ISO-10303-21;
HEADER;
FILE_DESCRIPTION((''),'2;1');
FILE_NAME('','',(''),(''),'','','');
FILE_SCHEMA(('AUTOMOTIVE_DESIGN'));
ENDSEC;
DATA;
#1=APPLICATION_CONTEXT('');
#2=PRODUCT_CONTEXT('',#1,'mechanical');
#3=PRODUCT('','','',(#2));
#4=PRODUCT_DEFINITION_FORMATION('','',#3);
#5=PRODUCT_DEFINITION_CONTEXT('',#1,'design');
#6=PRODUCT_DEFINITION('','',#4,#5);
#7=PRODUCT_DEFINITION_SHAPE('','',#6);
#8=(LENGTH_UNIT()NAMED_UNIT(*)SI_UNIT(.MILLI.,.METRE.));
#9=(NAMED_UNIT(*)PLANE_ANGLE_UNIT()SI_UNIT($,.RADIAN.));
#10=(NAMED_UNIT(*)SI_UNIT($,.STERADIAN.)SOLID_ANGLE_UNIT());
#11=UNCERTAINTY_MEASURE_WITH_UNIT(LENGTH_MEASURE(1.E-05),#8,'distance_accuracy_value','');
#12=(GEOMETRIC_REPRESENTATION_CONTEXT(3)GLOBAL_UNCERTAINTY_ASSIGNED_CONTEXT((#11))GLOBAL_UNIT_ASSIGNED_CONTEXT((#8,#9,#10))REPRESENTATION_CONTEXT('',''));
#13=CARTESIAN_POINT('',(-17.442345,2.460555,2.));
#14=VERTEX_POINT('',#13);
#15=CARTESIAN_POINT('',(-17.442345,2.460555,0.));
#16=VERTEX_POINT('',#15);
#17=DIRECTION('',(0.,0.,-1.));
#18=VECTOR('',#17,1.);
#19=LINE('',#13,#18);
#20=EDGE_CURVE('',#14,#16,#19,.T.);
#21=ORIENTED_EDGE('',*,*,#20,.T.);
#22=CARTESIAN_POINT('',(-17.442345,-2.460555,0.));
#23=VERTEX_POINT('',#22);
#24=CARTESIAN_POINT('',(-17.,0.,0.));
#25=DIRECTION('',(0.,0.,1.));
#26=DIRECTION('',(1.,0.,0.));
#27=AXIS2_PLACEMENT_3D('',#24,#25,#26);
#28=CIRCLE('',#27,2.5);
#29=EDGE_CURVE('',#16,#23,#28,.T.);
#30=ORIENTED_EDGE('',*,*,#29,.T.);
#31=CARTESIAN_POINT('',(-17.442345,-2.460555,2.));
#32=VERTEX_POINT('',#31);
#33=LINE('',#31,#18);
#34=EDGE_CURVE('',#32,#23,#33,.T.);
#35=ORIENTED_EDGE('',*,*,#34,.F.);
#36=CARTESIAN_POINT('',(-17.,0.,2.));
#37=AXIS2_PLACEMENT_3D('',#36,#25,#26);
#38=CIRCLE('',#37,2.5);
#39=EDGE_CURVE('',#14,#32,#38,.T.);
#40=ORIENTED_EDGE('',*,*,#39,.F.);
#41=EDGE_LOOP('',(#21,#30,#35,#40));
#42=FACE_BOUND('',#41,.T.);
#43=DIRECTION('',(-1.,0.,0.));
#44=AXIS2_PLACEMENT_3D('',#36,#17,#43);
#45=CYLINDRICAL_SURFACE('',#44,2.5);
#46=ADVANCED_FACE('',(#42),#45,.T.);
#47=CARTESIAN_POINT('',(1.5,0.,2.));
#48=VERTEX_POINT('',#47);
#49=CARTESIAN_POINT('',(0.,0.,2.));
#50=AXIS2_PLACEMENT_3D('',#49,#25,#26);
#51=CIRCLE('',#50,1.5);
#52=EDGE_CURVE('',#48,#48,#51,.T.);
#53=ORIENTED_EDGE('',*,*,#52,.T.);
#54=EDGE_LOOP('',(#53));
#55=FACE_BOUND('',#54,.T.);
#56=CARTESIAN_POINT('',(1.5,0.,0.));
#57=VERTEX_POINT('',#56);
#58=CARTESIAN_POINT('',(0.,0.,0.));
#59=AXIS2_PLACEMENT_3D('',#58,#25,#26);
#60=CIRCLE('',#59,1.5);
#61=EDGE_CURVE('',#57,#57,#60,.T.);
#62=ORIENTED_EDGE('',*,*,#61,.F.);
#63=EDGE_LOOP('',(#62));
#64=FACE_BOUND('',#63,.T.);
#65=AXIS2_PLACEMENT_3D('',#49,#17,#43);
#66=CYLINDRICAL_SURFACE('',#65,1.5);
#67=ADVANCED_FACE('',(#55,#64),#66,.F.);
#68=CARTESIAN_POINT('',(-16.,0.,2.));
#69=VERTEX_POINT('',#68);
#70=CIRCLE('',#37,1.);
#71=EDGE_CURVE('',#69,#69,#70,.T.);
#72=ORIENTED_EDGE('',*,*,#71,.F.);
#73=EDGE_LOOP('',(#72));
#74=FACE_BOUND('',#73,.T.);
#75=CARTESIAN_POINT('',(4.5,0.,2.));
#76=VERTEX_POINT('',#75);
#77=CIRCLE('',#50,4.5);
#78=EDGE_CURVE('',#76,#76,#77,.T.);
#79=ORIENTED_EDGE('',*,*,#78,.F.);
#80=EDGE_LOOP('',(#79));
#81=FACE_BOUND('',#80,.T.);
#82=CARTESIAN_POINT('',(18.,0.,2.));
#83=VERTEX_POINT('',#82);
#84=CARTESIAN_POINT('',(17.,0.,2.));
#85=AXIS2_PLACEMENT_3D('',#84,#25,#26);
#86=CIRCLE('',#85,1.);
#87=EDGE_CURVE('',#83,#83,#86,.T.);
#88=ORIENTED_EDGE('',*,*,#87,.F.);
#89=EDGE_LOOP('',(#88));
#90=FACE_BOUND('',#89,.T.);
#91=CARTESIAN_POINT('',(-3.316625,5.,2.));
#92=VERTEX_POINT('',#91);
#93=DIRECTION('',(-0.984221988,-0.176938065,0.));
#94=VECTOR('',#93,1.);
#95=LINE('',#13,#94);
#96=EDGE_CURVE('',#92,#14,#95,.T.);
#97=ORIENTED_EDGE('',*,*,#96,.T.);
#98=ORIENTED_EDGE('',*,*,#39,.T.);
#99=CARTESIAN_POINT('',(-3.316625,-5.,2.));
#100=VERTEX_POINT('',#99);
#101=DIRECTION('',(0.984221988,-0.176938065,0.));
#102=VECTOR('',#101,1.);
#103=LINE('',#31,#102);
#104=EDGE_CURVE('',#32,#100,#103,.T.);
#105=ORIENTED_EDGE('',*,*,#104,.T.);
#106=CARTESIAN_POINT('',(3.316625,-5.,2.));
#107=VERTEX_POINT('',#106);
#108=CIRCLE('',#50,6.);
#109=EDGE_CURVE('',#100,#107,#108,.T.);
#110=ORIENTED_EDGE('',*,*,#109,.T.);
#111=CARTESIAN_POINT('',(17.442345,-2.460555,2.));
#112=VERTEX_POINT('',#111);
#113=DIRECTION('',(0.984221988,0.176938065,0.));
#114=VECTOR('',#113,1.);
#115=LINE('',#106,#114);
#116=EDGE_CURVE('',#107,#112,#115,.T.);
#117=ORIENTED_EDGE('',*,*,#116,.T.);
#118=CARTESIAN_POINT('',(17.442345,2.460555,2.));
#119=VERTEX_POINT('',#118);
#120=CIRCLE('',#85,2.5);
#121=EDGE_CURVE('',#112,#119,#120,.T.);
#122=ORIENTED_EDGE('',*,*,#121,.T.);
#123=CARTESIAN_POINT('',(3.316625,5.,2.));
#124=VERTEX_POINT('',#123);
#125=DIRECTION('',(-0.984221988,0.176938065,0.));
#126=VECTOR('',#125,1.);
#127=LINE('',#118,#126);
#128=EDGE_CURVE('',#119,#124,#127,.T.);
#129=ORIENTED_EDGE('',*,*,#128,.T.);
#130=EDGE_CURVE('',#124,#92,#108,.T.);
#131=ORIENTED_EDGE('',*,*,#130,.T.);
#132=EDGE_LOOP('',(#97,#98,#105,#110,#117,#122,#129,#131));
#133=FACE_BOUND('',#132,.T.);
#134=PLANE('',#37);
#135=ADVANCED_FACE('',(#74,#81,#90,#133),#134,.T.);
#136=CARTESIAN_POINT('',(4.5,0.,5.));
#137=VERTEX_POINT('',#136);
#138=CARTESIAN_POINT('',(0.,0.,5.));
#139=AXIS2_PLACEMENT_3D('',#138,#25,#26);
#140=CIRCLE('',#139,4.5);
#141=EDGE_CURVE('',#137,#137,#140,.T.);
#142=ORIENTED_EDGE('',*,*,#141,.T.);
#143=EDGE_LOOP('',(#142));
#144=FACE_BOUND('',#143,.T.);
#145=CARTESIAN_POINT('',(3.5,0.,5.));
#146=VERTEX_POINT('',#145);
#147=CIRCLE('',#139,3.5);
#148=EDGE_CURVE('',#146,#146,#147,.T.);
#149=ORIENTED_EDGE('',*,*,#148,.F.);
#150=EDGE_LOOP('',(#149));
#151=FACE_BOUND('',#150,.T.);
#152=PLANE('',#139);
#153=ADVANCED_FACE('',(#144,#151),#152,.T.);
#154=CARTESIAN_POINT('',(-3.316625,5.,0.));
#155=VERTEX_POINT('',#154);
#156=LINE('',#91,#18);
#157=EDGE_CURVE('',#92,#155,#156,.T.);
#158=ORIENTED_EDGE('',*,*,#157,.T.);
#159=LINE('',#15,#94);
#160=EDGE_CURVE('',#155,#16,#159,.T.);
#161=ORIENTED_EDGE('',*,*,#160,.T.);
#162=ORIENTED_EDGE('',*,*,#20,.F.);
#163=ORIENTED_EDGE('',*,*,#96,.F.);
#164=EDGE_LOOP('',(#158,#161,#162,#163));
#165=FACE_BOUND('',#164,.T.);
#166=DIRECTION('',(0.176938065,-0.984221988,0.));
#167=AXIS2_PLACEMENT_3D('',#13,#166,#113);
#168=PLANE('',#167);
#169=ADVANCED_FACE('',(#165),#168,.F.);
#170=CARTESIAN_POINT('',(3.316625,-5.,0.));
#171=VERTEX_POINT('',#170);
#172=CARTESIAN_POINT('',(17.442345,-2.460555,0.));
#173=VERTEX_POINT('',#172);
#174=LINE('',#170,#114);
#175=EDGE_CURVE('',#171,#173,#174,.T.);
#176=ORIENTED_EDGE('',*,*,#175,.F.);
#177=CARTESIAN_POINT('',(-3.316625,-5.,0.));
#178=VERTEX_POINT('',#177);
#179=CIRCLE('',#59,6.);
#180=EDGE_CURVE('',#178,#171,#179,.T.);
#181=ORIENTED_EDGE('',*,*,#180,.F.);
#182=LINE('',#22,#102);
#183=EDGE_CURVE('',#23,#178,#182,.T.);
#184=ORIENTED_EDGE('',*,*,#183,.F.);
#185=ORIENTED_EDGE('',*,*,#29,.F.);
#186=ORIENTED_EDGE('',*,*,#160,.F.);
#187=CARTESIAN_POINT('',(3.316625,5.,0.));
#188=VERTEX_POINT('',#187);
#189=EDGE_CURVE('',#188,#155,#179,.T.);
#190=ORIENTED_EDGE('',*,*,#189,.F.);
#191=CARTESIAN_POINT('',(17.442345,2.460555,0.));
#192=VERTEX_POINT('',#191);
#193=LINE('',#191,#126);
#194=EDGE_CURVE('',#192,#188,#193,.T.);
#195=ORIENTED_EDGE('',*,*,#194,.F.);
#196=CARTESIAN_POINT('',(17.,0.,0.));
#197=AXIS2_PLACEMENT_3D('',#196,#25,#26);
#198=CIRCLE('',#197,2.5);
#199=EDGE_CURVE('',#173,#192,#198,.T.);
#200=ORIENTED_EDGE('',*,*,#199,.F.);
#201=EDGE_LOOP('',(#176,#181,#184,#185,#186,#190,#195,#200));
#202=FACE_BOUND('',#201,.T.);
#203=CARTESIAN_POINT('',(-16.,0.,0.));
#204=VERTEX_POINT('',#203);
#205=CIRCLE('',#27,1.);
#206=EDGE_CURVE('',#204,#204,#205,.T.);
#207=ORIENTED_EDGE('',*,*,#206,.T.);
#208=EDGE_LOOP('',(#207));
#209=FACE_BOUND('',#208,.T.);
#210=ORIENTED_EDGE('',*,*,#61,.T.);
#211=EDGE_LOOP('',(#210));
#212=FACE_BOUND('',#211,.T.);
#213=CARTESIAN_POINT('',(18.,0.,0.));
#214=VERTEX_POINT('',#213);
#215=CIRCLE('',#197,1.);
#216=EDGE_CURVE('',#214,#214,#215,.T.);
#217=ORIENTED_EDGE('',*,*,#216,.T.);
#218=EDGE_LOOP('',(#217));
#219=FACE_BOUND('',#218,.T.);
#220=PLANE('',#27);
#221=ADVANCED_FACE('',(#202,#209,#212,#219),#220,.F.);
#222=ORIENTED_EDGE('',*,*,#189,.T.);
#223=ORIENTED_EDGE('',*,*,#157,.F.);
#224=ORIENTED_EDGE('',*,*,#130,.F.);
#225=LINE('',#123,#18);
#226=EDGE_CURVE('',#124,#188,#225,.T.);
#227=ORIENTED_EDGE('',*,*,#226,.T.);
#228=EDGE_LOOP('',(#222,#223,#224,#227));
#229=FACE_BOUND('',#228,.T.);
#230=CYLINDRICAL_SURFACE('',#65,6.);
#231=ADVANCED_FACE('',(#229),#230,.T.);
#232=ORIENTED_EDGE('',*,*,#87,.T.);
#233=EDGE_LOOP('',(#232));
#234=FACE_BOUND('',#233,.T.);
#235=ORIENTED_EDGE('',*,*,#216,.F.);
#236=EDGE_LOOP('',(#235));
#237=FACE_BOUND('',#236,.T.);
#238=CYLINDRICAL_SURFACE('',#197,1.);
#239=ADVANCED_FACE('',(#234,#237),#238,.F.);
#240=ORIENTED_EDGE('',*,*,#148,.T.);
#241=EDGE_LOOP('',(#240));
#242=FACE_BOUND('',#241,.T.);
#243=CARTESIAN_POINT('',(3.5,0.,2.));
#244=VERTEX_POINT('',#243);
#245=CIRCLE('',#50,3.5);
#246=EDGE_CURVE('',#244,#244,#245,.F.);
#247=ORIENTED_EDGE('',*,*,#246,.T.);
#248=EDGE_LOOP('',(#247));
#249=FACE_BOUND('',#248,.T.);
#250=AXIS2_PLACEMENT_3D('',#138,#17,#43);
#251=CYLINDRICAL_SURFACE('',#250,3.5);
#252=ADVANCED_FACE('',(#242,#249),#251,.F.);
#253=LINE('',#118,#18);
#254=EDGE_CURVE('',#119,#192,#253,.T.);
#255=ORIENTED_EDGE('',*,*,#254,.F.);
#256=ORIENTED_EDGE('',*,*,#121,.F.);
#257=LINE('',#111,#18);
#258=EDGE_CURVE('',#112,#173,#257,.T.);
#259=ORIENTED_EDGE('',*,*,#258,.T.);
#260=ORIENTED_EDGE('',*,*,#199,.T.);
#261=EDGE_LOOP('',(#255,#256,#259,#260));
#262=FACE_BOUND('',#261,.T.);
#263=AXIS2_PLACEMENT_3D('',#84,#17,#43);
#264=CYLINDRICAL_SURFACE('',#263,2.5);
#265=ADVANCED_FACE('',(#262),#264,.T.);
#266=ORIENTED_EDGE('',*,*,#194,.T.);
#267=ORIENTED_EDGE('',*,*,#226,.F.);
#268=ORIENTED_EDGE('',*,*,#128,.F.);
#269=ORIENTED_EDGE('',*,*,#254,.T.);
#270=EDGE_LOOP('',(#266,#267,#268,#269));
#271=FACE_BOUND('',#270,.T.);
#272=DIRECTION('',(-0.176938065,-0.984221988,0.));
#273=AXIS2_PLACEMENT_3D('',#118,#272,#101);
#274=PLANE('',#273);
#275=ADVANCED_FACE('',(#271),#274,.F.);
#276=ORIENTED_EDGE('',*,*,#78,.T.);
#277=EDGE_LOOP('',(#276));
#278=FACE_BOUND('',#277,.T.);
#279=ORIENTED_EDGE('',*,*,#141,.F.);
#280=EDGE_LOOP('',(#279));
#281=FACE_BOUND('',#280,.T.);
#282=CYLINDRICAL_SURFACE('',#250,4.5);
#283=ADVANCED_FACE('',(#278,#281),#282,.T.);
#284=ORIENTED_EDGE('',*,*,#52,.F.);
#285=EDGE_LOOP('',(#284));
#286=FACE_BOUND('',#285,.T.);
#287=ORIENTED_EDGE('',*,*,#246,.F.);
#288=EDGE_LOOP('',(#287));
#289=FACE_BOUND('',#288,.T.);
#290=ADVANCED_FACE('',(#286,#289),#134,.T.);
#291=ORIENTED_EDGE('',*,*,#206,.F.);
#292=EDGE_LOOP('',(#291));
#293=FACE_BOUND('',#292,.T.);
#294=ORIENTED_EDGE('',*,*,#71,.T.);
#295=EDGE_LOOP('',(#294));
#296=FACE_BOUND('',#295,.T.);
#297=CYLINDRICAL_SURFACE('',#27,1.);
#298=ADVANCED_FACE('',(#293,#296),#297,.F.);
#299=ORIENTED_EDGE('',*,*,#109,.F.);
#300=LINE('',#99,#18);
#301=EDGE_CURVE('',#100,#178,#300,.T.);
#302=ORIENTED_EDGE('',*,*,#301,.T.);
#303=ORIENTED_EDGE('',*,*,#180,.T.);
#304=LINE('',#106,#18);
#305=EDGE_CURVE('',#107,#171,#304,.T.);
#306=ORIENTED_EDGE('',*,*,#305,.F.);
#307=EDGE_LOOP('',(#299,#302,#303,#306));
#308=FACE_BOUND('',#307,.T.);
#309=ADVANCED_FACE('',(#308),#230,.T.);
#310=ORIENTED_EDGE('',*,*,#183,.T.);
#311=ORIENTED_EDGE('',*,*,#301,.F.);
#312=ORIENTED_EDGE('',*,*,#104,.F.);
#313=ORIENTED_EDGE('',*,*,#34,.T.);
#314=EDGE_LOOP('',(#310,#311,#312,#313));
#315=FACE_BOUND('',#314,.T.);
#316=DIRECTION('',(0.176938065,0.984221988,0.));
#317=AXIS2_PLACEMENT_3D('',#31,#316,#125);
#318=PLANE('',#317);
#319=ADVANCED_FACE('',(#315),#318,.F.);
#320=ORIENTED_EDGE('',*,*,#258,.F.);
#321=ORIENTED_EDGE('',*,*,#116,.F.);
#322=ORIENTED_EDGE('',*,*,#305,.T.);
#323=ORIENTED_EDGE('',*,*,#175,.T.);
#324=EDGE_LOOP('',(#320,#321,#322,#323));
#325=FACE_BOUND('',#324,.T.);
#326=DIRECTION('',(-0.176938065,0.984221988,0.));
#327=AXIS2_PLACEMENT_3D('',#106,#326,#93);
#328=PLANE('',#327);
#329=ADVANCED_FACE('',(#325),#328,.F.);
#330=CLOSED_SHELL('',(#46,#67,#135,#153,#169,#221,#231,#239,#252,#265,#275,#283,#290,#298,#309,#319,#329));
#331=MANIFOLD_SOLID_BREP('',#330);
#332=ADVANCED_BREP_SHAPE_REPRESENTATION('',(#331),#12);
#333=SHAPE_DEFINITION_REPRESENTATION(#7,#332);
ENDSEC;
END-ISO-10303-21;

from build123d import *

# Parameters (mm, degrees)
SKETCH1_R           = 1.5
BOSS_EXTRUDE1_DEPTH = 2
SKETCH2_R           = 4.5
SKETCH2_R_2         = 3.5
BOSS_EXTRUDE2_DEPTH = 3
SKETCH3_R           = 1
CUT_EXTRUDE1_DEPTH  = 3


with BuildPart() as part:
    # Sketch1 → Boss-Extrude1 (new body)
    with BuildSketch(Plane.XY):
        with BuildLine():
            Line((-17.442345164, 2.460554969), (-3.31662479, 5))
            ThreePointArc((-3.31662479, 5), (0, 6), (3.31662479, 5))
            Line((3.31662479, 5), (17.442345164, 2.460554969))
            ThreePointArc((17.442345164, 2.460554969), (19.5, 0), (17.442345164, -2.460554969))
            Line((17.442345164, -2.460554969), (3.31662479, -5))
            ThreePointArc((3.31662479, -5), (0, -6), (-3.31662479, -5))
            Line((-3.31662479, -5), (-17.442345164, -2.460554969))
            ThreePointArc((-17.442345164, -2.460554969), (-19.5, 0), (-17.442345164, 2.460554969))
        make_face()
        Circle(SKETCH1_R, mode=Mode.SUBTRACT)
    extrude(amount=BOSS_EXTRUDE1_DEPTH)

    # Sketch2 → Boss-Extrude2 (add)
    with BuildSketch(Plane.XY.offset(2)):
        Circle(SKETCH2_R)
        Circle(SKETCH2_R_2, mode=Mode.SUBTRACT)
    extrude(amount=BOSS_EXTRUDE2_DEPTH)

    # Sketch3 → Cut-Extrude1 (cut, through all)
    with BuildSketch(Plane.XY.offset(2)):
        with Locations((-17, 0)):
            Circle(SKETCH3_R)
        with Locations((17, 0)):
            Circle(SKETCH3_R)
    extrude(amount=-CUT_EXTRUDE1_DEPTH, mode=Mode.SUBTRACT)


solid = part.part
